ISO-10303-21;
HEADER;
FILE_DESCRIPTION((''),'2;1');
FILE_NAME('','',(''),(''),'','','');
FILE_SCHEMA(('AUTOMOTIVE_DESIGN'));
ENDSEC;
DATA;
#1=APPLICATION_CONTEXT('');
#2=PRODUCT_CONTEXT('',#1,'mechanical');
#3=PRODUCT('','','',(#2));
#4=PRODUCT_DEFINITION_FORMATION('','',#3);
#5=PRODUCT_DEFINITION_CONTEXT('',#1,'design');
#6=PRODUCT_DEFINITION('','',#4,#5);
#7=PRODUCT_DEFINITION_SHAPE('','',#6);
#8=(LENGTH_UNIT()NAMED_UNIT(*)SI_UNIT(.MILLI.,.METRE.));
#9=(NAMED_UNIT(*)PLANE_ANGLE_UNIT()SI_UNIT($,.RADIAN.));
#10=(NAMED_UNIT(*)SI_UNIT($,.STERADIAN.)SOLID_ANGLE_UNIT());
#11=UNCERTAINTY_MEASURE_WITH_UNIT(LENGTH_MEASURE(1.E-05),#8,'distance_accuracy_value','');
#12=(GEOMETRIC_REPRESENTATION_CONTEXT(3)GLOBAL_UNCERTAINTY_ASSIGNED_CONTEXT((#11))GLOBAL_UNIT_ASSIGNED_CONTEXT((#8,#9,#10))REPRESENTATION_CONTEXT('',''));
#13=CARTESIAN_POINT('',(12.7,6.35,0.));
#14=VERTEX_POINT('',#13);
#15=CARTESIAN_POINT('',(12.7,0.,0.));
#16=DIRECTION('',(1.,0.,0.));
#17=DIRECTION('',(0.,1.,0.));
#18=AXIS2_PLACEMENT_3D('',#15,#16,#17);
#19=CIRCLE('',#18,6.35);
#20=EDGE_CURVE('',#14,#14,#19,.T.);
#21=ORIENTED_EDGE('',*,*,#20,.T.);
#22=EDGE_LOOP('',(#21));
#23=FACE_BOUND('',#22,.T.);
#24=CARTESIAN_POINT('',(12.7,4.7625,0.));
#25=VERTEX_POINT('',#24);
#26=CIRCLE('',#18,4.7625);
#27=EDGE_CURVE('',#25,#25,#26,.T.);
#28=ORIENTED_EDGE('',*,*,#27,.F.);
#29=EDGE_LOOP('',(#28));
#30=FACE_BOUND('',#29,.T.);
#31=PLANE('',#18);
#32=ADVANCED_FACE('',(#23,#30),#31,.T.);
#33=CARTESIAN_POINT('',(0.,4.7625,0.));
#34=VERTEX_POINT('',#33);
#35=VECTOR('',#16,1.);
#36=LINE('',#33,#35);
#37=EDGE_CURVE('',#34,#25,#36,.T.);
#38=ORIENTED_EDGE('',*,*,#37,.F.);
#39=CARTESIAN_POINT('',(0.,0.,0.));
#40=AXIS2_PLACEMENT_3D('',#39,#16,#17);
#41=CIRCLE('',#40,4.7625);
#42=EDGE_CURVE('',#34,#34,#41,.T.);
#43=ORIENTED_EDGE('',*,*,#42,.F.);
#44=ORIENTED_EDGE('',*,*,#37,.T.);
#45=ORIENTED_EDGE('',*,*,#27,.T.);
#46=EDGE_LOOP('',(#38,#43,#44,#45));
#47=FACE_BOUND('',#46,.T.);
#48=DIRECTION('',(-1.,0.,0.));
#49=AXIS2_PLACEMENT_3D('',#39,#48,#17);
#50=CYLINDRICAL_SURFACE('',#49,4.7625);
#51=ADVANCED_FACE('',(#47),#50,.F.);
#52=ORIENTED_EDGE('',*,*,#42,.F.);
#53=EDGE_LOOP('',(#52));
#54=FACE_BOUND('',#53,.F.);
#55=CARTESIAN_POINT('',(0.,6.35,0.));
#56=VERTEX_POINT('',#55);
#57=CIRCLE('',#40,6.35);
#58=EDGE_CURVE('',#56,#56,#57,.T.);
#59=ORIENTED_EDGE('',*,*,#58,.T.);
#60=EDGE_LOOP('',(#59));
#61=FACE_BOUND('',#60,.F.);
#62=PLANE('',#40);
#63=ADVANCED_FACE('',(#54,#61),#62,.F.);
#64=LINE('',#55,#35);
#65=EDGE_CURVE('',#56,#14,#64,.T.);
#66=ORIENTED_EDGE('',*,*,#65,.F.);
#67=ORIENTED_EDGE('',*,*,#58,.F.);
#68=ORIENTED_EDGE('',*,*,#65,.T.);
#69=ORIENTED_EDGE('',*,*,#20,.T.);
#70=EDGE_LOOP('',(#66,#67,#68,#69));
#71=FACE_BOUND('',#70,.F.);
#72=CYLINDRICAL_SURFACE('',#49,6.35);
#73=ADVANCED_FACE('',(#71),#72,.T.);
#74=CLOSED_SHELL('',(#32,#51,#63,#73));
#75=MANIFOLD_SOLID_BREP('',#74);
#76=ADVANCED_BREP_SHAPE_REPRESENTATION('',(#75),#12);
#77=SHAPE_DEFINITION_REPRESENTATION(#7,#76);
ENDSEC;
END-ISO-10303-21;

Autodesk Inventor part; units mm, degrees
ref_plane "YZ Plane" through (0, 0, 0) normal (1, 0, 0) x (0, 1, 0)
ref_plane "XZ Plane" through (0, 0, 0) normal (0, 1, 0) x (-1, 0, 0)
ref_plane "XY Plane" through (0, 0, 0) normal (0, 0, 1) x (1, 0, 0)
sketch "Sketch1" plane through (0, 0, 0) normal (1, 0, 0) x (0, 1, 0)
  circle A0 centre (0, 0) radius 4.7625
  circle A1 centre (0, 0) radius 6.35
  dimension "d0" = 9.525
  dimension "d1" = 12.7
extrude "Extrusion1" add sketch "Sketch1" along normal blind 12.7
properties part number "x and y bushing" material "Brass, Soft Yellow"
